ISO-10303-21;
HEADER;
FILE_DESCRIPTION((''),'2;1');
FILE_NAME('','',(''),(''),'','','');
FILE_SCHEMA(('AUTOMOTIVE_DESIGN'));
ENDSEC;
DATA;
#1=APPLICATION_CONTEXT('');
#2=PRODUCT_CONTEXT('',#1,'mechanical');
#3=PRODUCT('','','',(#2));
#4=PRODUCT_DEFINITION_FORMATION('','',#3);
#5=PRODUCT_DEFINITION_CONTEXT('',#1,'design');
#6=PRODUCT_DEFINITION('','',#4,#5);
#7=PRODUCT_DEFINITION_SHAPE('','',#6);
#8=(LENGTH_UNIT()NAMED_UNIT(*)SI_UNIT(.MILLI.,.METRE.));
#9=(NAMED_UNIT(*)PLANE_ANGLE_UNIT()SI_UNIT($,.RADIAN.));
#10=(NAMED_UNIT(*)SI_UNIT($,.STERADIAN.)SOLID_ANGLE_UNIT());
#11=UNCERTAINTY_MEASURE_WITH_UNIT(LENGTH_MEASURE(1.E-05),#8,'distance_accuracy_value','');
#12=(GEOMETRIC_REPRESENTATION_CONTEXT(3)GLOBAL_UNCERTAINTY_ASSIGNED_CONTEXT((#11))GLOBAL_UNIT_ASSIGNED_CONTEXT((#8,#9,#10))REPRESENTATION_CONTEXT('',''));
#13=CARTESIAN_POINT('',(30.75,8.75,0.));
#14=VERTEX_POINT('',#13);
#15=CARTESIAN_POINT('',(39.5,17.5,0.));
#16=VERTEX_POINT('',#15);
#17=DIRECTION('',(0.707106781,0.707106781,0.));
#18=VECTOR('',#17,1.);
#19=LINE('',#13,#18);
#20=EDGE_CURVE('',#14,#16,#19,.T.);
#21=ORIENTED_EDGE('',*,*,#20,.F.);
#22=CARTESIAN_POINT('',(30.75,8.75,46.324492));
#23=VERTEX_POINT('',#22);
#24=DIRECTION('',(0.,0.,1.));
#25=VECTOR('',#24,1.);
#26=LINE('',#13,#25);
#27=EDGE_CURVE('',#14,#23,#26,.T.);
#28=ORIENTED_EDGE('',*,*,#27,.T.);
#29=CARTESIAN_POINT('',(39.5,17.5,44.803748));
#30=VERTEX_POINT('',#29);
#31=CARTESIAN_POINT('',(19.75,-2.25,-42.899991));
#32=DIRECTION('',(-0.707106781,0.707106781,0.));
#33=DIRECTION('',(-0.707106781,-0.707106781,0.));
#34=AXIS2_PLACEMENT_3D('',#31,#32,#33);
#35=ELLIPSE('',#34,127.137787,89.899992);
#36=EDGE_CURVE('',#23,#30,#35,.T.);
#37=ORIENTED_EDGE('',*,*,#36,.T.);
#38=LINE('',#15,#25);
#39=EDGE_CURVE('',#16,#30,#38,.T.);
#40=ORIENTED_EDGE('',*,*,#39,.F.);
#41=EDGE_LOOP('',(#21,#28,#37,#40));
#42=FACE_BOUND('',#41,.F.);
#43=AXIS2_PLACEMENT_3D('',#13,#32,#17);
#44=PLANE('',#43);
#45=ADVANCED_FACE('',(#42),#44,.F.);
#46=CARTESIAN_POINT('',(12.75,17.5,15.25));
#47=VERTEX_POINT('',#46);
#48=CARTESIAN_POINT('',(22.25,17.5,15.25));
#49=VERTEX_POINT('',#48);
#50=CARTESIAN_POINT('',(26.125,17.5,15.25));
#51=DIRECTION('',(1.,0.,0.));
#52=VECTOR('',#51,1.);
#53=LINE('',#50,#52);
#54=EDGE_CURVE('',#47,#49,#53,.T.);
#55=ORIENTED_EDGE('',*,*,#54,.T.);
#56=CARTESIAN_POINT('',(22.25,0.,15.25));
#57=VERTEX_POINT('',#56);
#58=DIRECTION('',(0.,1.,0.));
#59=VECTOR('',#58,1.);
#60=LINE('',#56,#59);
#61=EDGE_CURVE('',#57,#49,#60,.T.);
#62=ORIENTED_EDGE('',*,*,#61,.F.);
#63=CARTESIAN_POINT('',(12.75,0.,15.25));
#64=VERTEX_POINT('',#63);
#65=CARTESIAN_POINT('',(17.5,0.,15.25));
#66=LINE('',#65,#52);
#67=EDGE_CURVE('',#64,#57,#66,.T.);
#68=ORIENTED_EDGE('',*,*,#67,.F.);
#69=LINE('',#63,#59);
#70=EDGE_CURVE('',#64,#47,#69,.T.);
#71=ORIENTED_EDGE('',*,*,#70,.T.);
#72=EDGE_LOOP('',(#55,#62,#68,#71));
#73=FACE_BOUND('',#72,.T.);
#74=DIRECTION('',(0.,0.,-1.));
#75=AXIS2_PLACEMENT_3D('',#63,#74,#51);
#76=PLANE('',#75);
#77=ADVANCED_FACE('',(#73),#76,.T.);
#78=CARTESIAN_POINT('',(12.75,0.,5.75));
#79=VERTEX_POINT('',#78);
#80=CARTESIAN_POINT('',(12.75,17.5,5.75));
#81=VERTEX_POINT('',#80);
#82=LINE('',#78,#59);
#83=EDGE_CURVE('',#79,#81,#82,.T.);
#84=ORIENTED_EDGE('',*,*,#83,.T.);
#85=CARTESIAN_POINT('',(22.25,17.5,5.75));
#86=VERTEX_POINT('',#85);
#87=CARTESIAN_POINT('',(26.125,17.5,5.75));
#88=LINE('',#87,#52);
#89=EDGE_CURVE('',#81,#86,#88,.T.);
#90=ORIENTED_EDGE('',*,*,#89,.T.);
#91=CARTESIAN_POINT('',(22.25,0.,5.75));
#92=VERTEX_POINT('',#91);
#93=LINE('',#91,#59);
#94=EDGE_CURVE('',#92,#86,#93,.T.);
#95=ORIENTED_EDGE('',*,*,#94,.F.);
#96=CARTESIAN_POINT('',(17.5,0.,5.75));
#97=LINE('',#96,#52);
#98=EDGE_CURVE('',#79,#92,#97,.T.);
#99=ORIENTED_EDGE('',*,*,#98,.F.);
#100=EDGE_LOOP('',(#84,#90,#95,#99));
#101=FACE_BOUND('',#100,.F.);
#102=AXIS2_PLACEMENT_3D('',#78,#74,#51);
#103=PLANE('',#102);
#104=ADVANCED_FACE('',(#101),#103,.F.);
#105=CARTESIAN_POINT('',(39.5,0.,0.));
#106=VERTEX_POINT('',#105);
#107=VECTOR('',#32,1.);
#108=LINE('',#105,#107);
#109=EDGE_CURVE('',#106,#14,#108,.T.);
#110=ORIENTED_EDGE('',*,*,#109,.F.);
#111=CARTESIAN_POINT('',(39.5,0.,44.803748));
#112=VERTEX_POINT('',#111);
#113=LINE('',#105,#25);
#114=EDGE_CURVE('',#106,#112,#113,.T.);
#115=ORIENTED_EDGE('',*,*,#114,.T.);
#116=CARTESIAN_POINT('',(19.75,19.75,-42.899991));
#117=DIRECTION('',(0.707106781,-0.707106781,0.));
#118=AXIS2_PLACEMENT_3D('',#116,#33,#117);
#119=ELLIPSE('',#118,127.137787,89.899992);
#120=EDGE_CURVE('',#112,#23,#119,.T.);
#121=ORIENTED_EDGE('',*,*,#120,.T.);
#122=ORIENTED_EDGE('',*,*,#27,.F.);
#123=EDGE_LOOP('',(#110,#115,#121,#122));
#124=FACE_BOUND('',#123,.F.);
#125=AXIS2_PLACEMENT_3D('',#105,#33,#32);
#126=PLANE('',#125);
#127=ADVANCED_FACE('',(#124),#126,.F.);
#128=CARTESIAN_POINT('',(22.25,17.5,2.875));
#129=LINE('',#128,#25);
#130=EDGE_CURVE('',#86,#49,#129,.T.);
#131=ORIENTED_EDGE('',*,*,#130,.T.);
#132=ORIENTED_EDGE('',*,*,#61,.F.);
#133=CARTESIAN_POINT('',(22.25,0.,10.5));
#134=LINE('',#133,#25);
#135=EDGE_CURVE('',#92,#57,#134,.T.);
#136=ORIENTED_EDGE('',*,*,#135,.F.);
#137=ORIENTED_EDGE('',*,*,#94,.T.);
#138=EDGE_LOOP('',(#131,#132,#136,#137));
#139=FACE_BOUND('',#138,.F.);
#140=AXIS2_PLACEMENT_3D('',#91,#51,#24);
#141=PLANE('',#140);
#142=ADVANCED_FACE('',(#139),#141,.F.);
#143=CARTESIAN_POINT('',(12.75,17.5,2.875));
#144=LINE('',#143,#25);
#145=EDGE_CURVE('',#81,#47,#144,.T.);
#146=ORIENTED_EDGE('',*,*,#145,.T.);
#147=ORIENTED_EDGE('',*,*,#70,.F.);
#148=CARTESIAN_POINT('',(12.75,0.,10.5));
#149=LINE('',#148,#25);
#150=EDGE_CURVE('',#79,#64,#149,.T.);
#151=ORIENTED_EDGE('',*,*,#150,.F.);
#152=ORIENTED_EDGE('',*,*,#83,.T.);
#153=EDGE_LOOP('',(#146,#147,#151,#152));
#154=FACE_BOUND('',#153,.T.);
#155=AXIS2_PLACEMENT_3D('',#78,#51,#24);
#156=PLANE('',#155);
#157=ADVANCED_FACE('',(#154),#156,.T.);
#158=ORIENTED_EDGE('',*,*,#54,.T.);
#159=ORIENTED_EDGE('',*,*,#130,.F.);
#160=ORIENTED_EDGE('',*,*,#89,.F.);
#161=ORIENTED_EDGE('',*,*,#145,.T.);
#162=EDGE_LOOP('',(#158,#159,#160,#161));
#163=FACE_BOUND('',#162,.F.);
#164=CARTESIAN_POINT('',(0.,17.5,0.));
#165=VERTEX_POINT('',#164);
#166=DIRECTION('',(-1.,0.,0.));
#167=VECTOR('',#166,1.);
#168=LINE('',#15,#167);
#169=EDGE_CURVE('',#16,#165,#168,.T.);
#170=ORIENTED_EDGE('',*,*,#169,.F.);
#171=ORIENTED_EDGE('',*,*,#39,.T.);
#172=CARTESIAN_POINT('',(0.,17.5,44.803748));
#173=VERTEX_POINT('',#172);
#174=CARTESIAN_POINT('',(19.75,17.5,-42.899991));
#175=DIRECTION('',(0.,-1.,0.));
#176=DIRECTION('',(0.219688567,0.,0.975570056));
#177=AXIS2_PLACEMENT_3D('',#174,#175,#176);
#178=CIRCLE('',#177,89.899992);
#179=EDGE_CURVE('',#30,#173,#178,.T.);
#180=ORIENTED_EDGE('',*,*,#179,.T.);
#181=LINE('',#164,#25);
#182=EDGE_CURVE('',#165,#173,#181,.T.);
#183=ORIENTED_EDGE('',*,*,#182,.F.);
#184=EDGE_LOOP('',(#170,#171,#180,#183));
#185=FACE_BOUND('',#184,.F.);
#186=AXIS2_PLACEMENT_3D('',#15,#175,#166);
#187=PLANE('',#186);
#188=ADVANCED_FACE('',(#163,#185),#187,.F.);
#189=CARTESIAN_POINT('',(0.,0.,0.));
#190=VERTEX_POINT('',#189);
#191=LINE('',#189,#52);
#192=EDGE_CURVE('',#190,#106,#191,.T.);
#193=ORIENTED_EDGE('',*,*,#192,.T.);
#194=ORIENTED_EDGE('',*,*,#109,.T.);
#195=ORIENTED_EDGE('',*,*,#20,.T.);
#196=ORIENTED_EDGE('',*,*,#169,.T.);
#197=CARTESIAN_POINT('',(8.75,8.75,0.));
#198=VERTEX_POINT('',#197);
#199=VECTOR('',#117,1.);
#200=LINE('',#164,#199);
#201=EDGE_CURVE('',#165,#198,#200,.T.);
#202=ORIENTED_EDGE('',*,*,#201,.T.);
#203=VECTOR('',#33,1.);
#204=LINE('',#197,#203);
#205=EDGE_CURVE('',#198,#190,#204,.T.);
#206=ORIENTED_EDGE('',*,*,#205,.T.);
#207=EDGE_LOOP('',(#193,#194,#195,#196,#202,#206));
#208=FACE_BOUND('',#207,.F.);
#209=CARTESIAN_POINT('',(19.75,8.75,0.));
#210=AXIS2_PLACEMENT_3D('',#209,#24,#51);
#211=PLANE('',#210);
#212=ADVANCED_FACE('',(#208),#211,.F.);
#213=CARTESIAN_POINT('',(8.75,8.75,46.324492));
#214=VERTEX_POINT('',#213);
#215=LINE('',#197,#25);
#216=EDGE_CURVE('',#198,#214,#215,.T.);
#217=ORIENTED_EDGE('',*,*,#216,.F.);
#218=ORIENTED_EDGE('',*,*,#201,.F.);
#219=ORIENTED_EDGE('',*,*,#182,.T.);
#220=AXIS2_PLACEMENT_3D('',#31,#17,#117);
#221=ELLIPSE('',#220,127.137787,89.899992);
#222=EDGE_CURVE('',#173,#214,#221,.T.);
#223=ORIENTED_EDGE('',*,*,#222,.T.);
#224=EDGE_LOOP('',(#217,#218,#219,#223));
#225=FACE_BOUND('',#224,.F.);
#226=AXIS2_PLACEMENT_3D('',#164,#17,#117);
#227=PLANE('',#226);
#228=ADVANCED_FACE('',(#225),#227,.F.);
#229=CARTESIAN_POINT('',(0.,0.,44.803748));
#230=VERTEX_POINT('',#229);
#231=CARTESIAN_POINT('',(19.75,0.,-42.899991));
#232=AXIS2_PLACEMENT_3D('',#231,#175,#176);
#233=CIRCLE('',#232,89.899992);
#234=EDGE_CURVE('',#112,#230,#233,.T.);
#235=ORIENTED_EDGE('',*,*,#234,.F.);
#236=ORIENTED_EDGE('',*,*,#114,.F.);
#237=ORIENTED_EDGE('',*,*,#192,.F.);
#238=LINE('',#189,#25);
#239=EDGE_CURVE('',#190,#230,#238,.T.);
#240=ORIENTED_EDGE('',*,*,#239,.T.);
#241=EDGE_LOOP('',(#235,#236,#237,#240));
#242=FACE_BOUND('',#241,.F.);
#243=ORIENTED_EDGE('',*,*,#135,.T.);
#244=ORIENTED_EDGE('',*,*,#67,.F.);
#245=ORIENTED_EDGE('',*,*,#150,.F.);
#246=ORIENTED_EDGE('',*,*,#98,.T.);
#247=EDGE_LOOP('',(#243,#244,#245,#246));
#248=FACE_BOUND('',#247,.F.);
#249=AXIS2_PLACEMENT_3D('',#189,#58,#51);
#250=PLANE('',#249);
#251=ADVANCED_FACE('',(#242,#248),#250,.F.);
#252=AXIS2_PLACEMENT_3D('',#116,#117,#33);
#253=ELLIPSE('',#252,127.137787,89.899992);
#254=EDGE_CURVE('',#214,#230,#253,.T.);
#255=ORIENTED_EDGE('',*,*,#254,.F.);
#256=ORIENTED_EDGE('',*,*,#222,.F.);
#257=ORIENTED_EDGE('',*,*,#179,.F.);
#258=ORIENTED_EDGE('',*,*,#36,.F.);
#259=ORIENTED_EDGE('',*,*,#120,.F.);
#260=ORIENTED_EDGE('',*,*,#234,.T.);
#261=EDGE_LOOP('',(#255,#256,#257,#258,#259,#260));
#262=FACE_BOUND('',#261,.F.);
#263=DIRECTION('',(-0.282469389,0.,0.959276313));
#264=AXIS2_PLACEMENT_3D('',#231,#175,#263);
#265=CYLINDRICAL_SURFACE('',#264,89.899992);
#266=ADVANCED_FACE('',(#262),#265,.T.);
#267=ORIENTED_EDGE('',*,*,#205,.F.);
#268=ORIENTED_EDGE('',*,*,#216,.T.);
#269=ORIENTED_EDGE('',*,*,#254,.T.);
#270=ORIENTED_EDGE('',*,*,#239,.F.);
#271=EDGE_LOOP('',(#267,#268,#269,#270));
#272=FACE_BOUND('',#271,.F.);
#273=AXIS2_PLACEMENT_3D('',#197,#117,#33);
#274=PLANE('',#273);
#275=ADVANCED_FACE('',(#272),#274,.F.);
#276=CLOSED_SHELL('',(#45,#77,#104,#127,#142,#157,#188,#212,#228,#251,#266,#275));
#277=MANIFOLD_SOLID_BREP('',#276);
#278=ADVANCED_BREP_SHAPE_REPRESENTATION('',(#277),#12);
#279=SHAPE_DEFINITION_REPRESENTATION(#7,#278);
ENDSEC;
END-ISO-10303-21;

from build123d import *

# Parameters (mm, degrees)
F1_DEPTH = 47
F3_DEPTH = 25
F4_W     = 9.5
F4_H     = 9.5
F5_DEPTH = 25


with BuildPart() as f1:
    # F0 (on Top) → F1 (new body)
    with BuildSketch(Plane.XY):
        Polygon((8.75, 8.75), (0, 0), (39.5, 0), (30.75, 8.75), (39.5, 17.5), (0, 17.5), align=None)
    extrude(amount=F1_DEPTH)

    # F2 (on face) → F3 (cut)
    with BuildSketch(Plane.XZ):
        with BuildLine():
            ThreePointArc((-5.643996, 43.338941), (18.362093, 46.989286), (42.469436, 44.081821))
            Line((42.469436, 44.081821), (45.143996, 47.1))
            Line((45.143996, 47.1), (-5.643996, 47.1))
            Line((-5.643996, 47.1), (-5.643996, 43.338941))
        make_face()
    extrude(amount=-F3_DEPTH, mode=Mode.SUBTRACT)

    # F4 (on face) → F5 (cut)
    with BuildSketch(Plane.XZ):
        with Locations((17.5, 10.5)):
            Rectangle(F4_W, F4_H)
    extrude(amount=-F5_DEPTH, mode=Mode.SUBTRACT)


solid = f1.part
